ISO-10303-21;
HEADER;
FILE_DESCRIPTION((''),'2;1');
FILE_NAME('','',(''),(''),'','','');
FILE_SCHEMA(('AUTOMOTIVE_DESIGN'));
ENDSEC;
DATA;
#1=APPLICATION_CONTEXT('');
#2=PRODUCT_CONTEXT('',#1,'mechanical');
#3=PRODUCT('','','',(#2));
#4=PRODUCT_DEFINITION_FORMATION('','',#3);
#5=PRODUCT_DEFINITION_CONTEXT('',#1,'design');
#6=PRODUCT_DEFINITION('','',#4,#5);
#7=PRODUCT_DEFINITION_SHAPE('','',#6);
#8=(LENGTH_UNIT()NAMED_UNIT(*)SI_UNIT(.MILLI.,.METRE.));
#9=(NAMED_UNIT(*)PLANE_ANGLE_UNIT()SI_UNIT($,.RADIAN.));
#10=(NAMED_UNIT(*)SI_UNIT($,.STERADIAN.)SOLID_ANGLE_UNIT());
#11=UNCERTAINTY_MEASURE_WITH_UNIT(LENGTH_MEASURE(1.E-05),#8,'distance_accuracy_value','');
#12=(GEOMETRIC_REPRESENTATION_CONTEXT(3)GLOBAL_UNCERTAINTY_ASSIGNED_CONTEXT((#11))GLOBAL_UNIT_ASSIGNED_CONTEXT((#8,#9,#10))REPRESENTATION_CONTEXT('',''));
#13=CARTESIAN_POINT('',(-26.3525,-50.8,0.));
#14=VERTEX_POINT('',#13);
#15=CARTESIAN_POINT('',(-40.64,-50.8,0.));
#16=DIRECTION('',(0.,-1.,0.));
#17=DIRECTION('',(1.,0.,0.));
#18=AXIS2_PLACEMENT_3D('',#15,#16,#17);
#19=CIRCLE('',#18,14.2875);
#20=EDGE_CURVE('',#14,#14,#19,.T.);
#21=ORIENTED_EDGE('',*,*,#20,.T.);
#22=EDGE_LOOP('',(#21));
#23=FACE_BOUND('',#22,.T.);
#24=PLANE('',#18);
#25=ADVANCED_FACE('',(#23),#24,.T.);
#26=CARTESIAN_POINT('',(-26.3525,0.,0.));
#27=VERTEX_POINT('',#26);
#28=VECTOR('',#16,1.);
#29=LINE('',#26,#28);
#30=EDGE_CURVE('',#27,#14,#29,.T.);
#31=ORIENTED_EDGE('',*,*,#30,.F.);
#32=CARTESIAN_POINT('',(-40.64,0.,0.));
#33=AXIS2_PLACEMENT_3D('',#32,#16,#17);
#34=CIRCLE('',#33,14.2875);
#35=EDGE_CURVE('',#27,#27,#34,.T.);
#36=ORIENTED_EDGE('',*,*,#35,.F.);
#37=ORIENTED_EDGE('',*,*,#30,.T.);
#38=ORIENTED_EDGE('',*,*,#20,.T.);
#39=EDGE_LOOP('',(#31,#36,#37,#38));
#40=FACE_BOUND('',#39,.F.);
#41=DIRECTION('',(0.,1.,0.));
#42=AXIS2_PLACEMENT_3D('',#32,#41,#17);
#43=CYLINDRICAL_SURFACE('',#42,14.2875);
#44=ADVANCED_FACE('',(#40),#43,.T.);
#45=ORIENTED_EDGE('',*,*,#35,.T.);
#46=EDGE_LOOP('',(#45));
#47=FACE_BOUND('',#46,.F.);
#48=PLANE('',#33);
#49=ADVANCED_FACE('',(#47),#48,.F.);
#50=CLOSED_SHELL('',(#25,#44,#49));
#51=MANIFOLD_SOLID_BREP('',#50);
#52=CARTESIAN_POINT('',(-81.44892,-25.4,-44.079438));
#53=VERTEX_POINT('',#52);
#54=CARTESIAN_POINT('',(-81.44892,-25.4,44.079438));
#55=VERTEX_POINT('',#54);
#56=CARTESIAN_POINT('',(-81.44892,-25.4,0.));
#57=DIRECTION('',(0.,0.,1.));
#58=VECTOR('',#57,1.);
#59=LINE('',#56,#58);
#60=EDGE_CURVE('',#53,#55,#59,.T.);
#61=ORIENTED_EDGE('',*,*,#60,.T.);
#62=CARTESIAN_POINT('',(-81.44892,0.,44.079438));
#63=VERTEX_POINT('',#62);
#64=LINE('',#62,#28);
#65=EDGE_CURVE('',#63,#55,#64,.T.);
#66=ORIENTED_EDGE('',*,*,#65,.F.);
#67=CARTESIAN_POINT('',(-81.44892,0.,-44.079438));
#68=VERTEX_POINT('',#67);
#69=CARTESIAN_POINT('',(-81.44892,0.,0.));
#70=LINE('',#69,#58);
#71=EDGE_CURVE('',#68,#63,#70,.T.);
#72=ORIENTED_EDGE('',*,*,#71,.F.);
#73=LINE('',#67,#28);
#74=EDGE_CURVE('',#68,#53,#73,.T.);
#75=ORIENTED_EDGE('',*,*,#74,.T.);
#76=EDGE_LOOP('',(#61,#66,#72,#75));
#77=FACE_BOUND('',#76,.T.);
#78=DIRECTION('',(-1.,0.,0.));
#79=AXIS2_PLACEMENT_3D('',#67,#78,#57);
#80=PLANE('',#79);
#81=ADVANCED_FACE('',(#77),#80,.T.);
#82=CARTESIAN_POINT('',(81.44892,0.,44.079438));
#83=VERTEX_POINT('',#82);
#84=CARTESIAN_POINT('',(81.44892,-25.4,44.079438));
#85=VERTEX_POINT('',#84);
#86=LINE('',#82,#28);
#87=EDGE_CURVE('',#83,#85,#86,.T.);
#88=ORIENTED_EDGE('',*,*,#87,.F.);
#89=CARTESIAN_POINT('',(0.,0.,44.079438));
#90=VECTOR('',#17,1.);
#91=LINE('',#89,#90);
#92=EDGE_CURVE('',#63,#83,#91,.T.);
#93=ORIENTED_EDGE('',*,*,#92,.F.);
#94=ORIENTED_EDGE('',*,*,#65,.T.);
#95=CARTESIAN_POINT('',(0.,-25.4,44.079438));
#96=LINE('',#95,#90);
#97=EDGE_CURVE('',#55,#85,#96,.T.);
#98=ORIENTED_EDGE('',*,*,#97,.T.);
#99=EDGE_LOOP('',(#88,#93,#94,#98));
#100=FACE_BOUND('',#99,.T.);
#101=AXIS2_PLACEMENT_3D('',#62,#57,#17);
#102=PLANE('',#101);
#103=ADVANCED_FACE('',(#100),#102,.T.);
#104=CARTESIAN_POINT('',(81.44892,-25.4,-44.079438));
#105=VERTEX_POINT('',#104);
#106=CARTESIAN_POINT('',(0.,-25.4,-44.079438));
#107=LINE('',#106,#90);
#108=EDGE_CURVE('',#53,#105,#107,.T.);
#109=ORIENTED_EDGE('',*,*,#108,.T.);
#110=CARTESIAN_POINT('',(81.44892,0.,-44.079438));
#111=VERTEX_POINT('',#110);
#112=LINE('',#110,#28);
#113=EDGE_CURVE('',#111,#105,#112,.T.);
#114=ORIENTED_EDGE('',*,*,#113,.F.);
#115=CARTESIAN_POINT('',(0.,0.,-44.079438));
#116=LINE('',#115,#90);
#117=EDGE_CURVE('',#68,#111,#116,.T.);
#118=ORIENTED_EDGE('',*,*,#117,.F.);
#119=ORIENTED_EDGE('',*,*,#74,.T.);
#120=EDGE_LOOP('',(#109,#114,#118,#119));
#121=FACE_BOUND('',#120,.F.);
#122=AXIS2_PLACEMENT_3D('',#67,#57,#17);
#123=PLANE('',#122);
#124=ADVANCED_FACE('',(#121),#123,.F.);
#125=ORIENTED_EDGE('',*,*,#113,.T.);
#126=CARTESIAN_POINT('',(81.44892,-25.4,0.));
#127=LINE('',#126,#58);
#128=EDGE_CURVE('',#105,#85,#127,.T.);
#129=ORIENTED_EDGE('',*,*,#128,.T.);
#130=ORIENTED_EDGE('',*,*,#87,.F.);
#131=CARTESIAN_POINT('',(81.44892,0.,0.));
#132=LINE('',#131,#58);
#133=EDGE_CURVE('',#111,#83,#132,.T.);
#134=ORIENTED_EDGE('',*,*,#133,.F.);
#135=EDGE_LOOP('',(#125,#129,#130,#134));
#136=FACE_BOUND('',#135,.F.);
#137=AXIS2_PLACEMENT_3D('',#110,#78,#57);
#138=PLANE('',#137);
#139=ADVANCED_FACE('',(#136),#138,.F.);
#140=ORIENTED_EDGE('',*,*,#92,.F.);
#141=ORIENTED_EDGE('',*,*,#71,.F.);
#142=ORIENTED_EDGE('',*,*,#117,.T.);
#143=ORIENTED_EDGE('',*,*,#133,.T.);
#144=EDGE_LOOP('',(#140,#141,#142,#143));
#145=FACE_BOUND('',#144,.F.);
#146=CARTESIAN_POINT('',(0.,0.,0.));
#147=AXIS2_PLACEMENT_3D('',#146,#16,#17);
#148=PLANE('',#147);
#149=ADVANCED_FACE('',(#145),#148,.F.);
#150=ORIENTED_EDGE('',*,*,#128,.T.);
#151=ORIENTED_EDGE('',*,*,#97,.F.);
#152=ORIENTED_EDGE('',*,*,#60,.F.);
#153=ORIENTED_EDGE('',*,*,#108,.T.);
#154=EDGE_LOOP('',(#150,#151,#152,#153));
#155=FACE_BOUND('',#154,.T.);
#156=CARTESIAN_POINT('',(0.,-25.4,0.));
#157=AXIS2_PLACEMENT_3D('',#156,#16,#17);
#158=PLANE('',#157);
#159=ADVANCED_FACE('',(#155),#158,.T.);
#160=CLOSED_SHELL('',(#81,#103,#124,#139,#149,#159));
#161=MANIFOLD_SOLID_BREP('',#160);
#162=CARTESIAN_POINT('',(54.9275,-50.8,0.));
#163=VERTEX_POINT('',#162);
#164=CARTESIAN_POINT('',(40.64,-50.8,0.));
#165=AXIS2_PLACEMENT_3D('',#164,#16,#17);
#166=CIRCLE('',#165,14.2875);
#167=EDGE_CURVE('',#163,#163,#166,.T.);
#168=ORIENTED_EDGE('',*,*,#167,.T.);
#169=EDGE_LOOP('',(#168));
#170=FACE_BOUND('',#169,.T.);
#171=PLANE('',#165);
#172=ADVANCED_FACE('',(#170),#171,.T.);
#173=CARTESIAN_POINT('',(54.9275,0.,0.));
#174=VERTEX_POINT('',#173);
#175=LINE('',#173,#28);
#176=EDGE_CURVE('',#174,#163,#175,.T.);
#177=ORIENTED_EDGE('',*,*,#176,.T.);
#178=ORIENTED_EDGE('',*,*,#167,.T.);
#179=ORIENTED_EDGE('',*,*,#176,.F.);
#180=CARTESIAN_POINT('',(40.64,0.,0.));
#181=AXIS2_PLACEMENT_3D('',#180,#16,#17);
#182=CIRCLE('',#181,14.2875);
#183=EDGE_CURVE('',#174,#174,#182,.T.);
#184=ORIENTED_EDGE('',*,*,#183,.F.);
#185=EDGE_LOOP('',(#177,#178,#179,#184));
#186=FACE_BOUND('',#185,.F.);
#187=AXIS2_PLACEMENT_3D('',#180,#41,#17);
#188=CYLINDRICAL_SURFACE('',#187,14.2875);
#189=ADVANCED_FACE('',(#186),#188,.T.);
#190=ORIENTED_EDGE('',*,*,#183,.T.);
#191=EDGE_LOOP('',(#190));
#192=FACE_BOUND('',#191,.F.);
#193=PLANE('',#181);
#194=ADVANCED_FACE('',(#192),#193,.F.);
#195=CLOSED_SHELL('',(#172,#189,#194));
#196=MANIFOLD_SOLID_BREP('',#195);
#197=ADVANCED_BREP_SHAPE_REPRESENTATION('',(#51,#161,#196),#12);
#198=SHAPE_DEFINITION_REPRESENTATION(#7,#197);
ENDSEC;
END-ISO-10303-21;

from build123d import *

# Parameters (mm, degrees)
F0_W     = 162.8978401423
F0_H     = 88.1588757038
F0_R     = 14.2875
F1_DEPTH = 25.4
F2_DEPTH = 50.8


with BuildPart() as f1:
    # F0 (on Front) → F1 (new body)
    with BuildSketch(Plane.XZ):
        Rectangle(F0_W, F0_H)
        with Locations((-40.64, 0)):
            Circle(F0_R, mode=Mode.SUBTRACT)
        with Locations((40.64, 0)):
            Circle(F0_R, mode=Mode.SUBTRACT)
        with Locations((-40.64, 0)):
            Circle(F0_R)
        with Locations((40.64, 0)):
            Circle(F0_R)
    extrude(amount=F1_DEPTH)


with BuildPart() as f2:
    # F0 (on Front) → F2 (new body)
    with BuildSketch(Plane.XZ):
        with Locations((-40.64, 0)):
            Circle(F0_R)
    extrude(amount=F2_DEPTH)


with BuildPart() as f2b:
    # F0 (on Front) → F2, piece 2 (new body)
    with BuildSketch(Plane.XZ):
        with Locations((40.64, 0)):
            Circle(F0_R)
    extrude(amount=F2_DEPTH)


solid = Compound([f1.part, f2.part, f2b.part])
